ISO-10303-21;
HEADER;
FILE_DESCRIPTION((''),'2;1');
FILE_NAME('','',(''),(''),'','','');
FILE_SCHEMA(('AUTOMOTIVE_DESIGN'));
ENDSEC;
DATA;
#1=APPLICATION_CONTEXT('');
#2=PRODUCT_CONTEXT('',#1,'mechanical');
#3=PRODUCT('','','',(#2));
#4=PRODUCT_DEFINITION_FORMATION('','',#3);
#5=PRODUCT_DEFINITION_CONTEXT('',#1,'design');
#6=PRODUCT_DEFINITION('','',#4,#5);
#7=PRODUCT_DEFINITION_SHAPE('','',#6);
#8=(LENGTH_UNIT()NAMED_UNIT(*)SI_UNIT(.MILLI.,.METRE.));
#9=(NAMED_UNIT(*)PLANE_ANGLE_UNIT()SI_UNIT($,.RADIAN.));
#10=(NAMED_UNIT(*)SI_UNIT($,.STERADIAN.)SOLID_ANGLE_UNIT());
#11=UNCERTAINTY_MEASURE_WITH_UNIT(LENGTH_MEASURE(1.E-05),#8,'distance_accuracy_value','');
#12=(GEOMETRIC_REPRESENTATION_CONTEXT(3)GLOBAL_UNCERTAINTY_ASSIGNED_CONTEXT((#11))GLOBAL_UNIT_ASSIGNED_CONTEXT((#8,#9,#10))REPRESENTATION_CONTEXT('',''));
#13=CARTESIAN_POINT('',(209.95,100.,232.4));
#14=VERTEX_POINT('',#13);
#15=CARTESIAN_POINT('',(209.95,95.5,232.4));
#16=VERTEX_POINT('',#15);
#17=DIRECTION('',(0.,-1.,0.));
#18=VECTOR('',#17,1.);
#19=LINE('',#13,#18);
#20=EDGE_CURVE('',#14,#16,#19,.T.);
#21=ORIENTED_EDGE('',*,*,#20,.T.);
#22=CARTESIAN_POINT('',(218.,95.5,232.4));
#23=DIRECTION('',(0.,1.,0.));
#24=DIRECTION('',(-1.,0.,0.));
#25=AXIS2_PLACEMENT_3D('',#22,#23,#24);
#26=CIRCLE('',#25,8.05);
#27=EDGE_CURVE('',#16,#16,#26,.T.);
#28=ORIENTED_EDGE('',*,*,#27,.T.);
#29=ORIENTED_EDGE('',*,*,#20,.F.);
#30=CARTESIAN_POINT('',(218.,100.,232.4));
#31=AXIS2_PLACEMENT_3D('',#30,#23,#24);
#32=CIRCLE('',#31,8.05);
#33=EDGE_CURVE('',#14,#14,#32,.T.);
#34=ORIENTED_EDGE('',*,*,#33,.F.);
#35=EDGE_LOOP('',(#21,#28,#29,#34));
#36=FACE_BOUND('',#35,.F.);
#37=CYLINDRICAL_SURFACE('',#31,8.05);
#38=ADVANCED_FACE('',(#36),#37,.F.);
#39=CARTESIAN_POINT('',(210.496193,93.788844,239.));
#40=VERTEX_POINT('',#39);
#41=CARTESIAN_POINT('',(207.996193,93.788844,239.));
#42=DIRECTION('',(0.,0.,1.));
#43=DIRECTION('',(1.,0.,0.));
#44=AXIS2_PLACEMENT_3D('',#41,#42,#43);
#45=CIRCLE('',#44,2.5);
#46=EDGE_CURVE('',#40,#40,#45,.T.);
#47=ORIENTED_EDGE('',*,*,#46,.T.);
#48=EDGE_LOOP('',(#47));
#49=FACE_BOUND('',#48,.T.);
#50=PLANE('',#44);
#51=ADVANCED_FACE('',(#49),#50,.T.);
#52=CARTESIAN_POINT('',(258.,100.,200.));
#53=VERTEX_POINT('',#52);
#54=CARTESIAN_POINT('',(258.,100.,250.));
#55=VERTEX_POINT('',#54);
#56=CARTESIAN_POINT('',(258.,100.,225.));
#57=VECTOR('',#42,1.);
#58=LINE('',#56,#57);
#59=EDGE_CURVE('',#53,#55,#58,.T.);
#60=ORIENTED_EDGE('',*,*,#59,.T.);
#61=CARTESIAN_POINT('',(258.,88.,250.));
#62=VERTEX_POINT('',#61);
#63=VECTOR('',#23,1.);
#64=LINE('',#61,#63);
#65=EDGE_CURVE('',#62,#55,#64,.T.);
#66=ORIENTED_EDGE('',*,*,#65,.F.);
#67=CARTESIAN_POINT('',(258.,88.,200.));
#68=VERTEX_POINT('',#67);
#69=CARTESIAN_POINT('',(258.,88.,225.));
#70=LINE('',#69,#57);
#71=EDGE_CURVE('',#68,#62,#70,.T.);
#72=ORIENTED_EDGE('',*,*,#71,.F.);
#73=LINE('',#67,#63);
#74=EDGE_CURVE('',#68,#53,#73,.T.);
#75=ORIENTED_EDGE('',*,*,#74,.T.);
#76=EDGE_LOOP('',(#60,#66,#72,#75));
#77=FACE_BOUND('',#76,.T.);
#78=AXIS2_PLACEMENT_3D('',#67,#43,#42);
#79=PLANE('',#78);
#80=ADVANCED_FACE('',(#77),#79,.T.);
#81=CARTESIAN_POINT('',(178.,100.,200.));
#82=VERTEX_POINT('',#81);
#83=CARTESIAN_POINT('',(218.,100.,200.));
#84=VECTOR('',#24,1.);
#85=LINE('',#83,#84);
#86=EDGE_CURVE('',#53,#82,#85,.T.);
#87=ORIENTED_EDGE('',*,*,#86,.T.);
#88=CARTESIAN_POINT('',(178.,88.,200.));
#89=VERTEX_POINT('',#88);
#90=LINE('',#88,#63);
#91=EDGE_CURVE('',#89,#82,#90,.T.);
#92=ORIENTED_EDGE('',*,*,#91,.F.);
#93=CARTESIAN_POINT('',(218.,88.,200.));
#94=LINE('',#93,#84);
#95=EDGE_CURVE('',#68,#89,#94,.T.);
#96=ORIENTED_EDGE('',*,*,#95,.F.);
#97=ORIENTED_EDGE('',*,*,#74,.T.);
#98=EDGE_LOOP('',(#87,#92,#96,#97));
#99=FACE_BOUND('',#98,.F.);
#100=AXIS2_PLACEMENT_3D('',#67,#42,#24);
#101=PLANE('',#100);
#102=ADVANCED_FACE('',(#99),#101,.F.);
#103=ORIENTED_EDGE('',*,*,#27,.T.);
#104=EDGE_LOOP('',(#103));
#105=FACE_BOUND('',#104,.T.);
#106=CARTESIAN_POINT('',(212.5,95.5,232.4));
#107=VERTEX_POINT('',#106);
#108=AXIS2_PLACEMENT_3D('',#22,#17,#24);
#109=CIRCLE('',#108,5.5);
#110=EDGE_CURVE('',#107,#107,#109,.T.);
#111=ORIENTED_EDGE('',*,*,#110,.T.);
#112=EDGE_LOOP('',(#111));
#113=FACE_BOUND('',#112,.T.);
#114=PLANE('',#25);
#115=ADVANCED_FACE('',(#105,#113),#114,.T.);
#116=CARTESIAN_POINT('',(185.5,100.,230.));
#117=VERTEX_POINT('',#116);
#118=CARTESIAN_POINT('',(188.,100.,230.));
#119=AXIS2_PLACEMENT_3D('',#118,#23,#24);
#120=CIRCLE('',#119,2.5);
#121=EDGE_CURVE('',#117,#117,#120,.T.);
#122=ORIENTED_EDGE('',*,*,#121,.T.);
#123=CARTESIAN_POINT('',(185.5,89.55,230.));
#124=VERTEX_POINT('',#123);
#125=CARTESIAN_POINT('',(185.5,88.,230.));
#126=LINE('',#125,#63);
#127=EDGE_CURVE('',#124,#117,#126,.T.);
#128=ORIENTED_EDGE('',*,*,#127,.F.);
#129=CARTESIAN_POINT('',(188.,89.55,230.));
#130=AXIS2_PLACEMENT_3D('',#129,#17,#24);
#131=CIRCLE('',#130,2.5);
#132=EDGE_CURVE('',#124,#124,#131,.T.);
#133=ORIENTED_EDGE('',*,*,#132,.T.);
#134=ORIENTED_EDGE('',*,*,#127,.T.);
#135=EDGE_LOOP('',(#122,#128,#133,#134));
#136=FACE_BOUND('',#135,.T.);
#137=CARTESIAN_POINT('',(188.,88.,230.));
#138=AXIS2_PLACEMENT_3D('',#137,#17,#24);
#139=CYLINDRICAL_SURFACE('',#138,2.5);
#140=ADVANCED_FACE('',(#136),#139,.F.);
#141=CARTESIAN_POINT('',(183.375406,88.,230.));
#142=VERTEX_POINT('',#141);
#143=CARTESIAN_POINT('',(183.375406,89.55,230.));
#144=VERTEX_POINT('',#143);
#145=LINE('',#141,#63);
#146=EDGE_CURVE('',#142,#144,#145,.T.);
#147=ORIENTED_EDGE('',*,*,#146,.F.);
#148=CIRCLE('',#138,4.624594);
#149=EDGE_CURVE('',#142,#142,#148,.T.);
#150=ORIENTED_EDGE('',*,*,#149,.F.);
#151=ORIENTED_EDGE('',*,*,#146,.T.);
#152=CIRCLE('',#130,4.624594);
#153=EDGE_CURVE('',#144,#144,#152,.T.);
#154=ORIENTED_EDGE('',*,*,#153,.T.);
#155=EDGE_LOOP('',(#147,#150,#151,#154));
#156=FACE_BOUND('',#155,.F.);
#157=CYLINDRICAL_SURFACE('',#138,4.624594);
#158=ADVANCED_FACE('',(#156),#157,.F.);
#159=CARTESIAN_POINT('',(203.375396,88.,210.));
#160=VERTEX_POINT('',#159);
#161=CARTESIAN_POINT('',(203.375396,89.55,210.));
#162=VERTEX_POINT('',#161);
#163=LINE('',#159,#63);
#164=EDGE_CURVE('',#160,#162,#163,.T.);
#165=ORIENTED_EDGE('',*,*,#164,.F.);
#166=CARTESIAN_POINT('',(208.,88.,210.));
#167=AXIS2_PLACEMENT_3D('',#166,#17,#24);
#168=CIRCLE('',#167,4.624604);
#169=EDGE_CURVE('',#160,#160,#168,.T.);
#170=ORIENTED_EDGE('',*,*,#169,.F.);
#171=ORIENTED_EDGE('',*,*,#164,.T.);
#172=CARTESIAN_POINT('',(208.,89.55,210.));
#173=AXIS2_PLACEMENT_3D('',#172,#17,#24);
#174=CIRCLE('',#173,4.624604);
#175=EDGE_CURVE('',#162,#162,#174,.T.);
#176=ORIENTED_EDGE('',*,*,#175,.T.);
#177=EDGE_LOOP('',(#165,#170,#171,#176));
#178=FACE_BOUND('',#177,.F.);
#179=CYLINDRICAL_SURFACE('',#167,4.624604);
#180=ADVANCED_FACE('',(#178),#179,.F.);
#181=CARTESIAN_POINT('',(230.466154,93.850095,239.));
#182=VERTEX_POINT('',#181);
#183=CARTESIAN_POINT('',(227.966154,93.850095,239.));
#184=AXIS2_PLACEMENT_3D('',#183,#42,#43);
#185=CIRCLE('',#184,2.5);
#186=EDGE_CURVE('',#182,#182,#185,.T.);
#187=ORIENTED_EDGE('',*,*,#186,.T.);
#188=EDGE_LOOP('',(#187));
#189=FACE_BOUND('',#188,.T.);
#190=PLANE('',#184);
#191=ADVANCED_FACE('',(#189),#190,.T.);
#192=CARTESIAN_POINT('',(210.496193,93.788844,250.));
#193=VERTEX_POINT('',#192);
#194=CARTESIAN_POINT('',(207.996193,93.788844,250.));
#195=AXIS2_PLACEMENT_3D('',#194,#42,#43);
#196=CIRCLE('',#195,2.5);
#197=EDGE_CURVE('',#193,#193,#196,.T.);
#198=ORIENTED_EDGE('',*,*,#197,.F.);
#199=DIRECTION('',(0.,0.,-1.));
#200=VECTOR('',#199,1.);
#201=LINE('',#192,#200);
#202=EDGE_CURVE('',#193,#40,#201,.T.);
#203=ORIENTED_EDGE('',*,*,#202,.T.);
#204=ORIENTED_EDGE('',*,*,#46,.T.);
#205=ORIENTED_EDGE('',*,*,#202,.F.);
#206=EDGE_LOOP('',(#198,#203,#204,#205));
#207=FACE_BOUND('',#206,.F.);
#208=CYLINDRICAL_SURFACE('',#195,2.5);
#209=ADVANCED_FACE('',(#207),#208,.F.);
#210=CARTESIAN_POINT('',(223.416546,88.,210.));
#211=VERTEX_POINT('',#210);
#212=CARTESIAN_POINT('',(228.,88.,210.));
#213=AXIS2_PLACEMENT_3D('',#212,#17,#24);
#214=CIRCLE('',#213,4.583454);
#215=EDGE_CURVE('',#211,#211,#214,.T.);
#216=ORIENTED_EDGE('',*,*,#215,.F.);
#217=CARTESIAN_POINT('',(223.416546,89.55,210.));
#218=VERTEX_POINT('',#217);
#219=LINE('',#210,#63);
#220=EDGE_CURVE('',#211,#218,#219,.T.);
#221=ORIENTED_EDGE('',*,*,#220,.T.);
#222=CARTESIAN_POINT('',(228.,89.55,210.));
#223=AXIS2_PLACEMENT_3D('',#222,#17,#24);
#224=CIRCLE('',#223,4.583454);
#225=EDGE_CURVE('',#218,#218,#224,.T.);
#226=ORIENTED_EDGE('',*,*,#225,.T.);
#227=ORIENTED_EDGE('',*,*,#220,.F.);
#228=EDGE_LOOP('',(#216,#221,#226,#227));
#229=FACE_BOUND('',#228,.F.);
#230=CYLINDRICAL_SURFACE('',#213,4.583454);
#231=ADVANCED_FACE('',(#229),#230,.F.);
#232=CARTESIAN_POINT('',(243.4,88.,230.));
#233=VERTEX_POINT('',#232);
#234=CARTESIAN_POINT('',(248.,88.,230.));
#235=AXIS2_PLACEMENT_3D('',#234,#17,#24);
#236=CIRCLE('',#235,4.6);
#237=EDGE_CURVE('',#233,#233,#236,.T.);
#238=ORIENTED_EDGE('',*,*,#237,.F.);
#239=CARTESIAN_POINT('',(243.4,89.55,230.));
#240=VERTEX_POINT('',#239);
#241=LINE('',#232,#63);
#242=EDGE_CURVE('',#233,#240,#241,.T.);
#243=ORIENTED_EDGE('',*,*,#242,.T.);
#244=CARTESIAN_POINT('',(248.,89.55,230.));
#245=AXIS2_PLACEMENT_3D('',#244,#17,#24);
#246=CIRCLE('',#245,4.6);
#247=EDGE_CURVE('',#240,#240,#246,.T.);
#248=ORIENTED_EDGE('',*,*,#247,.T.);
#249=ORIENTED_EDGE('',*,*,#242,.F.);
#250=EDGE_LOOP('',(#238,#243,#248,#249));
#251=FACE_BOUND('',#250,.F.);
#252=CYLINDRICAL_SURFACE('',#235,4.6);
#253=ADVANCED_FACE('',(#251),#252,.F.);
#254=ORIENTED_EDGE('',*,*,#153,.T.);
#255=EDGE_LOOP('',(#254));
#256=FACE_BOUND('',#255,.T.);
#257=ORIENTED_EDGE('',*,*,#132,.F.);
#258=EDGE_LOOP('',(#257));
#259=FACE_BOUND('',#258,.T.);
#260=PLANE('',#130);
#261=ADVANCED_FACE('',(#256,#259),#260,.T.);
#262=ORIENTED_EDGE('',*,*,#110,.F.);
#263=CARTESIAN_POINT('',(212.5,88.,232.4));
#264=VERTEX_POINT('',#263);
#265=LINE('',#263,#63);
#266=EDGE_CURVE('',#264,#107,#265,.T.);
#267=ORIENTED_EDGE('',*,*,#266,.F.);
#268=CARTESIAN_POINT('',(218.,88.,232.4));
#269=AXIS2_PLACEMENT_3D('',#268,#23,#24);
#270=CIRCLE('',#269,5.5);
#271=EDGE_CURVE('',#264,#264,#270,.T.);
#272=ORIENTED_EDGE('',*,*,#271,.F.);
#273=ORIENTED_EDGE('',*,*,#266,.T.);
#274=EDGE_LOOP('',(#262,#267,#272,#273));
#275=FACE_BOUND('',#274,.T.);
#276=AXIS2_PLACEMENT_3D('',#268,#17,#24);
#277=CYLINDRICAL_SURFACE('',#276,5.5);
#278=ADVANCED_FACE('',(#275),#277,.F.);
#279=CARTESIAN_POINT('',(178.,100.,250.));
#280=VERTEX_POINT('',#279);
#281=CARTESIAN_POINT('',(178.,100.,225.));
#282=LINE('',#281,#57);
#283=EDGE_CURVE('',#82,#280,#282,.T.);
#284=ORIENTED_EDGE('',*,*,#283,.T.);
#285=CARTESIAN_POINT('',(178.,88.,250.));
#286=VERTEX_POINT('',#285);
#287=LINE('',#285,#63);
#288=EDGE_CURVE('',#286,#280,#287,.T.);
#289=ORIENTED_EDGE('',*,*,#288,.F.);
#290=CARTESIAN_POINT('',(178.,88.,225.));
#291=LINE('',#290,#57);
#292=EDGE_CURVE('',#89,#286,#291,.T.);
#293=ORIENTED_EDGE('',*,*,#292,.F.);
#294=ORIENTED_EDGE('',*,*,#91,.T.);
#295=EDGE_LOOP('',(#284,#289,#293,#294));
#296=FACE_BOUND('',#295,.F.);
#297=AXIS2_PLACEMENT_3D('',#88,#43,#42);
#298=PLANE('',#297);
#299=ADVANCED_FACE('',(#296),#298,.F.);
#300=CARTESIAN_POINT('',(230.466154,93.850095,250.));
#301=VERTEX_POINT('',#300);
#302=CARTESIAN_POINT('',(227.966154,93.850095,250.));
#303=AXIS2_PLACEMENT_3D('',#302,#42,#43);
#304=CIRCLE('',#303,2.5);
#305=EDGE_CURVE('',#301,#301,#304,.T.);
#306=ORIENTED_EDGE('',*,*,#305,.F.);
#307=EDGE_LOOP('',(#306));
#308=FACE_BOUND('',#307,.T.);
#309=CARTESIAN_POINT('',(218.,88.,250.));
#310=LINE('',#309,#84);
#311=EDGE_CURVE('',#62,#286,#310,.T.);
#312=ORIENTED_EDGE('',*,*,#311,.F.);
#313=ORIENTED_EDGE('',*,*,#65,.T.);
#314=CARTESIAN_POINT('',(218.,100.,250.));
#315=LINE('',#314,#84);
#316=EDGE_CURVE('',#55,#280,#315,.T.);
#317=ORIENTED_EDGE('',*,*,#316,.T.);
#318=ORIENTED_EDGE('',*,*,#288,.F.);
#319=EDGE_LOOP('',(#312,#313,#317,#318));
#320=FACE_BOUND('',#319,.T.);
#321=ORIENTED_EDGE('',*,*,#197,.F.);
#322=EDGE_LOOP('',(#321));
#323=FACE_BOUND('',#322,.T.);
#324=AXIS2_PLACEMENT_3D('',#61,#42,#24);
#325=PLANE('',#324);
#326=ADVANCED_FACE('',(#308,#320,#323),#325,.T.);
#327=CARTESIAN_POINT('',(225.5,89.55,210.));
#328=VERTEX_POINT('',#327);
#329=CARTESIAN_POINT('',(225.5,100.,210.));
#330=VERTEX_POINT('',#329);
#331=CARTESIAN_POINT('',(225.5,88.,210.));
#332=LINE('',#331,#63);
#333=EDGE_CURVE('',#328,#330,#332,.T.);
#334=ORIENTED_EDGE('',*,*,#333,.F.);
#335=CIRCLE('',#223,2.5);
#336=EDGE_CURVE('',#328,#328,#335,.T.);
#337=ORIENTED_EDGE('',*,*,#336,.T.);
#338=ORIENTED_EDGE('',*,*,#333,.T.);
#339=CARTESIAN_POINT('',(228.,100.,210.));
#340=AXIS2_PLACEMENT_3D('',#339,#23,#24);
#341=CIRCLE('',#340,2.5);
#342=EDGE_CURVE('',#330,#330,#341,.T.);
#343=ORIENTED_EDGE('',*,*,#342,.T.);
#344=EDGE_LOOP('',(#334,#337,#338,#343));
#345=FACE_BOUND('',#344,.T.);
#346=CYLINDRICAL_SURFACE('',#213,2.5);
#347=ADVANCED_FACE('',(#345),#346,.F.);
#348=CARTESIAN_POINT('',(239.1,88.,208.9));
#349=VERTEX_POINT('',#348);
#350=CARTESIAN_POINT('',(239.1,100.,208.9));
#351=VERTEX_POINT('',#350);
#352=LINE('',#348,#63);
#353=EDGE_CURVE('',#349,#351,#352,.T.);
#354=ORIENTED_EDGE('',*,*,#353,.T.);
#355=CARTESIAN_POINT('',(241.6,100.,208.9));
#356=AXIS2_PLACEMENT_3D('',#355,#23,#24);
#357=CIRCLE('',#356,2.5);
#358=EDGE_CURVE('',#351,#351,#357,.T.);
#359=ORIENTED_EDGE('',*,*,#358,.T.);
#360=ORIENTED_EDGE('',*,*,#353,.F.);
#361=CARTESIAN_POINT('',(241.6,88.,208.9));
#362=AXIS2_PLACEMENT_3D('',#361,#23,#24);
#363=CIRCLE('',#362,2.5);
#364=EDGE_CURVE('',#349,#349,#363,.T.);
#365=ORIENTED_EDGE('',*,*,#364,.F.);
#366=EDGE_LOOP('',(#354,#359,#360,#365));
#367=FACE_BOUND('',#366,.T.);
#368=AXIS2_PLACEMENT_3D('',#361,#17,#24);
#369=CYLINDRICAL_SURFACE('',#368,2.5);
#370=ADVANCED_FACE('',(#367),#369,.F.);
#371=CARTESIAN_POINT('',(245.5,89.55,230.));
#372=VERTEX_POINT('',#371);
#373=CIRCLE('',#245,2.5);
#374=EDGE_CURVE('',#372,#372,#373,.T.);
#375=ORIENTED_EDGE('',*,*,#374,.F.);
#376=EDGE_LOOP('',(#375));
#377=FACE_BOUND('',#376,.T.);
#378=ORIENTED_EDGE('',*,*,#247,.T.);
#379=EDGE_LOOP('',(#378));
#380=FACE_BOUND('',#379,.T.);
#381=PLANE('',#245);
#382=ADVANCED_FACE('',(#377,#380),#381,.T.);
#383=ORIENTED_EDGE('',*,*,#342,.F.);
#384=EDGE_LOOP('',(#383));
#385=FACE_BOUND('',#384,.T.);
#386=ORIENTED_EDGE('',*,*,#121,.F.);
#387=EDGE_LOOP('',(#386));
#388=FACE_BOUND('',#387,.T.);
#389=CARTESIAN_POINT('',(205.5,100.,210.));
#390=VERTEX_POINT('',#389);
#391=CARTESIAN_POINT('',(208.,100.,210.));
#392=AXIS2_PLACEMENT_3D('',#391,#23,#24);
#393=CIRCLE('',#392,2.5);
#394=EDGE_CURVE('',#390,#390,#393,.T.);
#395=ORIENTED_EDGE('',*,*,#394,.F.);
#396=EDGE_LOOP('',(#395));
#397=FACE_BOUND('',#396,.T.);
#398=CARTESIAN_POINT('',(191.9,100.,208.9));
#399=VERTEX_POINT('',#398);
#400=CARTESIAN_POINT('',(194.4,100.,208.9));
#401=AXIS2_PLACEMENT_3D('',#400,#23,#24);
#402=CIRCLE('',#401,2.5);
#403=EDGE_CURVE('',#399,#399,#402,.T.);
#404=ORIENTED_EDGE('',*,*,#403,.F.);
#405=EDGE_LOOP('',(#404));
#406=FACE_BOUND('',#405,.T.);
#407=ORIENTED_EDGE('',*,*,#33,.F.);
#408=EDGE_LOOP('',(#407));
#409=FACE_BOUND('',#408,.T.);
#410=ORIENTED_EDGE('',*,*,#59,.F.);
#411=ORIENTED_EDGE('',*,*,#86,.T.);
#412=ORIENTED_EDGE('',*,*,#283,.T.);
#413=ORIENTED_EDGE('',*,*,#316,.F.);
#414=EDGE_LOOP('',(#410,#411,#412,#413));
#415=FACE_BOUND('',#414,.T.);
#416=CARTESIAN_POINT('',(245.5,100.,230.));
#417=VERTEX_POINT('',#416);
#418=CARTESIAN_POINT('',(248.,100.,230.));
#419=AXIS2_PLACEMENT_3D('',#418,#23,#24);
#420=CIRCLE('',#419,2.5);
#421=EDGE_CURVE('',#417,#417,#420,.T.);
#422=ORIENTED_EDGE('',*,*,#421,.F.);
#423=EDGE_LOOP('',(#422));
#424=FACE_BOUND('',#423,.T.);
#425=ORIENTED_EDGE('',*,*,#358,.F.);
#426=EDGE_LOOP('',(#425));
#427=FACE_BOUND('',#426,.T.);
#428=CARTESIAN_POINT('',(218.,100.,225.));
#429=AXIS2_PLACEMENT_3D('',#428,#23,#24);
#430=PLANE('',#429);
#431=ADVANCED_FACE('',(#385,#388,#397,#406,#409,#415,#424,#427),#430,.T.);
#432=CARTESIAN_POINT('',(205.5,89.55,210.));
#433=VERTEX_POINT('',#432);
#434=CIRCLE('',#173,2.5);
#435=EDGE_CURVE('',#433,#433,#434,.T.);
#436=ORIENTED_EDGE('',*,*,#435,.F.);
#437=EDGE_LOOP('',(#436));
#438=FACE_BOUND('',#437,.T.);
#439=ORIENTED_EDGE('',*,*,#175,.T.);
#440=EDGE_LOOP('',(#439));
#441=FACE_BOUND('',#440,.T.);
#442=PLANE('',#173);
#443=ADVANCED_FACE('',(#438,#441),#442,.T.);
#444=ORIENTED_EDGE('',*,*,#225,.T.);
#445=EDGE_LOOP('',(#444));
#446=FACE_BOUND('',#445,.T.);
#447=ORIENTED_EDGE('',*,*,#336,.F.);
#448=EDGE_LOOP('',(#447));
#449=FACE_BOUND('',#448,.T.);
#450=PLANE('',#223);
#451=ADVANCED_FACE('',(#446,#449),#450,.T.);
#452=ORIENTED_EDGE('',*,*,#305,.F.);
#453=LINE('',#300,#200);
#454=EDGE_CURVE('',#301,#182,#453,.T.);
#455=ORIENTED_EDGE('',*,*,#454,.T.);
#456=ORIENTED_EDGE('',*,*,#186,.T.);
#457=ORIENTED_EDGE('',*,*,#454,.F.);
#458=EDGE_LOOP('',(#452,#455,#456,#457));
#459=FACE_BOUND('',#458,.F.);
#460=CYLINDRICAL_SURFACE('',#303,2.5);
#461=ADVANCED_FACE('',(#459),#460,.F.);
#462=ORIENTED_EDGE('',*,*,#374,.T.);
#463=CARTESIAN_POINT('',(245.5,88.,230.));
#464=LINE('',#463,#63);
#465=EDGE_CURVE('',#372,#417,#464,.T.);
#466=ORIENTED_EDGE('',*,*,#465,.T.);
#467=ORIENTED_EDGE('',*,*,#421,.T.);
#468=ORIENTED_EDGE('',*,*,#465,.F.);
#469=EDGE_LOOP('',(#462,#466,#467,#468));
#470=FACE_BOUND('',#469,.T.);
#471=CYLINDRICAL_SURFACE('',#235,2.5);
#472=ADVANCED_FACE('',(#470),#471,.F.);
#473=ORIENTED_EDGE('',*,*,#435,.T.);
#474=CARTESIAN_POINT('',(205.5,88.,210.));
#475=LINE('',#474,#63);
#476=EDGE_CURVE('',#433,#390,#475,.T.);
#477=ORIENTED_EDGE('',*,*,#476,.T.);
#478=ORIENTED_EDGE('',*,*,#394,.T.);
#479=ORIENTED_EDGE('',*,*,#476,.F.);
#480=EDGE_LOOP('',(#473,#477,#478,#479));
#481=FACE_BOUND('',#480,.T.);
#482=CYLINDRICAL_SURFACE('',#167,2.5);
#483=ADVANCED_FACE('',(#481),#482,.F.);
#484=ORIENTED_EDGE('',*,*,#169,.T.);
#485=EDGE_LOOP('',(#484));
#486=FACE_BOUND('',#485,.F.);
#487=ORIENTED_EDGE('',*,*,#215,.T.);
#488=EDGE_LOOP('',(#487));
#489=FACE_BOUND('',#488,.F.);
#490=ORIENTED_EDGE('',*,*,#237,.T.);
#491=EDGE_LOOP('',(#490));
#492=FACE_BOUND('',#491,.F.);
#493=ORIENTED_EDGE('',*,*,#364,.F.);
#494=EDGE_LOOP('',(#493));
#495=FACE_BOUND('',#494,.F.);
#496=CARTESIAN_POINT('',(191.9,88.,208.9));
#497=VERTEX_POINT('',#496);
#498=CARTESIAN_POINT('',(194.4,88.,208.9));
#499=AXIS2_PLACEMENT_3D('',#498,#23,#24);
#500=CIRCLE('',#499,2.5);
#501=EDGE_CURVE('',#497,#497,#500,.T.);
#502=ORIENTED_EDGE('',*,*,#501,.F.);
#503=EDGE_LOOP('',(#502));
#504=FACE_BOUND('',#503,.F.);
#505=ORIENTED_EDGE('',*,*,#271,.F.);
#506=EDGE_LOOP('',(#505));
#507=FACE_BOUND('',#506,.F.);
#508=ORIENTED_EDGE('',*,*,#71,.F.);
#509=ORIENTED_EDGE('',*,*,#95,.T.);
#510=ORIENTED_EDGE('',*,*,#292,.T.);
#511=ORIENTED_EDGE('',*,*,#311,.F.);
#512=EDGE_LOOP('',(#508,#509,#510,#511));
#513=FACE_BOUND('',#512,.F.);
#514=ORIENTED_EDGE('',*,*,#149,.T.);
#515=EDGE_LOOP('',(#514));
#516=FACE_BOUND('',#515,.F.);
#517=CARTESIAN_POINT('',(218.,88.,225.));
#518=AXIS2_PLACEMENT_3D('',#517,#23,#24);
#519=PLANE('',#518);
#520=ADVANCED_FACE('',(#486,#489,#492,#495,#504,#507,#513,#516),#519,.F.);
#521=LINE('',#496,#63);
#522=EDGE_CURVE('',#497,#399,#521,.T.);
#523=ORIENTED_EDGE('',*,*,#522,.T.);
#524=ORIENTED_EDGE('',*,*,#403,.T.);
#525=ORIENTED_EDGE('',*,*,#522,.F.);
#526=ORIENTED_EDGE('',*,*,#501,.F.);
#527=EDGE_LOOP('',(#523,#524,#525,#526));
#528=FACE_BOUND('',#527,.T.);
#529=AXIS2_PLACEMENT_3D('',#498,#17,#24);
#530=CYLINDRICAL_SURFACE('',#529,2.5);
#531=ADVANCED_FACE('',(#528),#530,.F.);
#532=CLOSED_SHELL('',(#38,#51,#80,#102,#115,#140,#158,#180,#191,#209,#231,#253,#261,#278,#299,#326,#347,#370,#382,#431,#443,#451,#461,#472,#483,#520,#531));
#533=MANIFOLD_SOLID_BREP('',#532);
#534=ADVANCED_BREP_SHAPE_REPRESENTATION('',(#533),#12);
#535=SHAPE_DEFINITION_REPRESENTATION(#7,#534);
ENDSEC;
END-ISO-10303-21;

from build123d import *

# Parameters (mm, degrees)
SKETCH019_W     = 80
SKETCH019_H     = 50
SKETCH019_R     = 2.5
SKETCH019_R_2   = 5.5
PAD004_DEPTH    = 12
SKETCH020_R     = 2.5
POCKET012_DEPTH = 11
SKETCH021_R     = 8.05
POCKET013_DEPTH = 4.5
SKETCH022_R     = 4.6
SKETCH022_R_2   = 4.624594
SKETCH022_R_3   = 4.583454
SKETCH022_R_4   = 4.624604
POCKET014_DEPTH = 1.55


with BuildPart() as part:
    # Sketch019 → Pad004 (new body)
    with BuildSketch(Plane(origin=(258, 88, 200), x_dir=(-1, 0, 0), z_dir=(0, 1, 0))):
        with Locations((40, 25)):
            Rectangle(SKETCH019_W, SKETCH019_H)
        with Locations((10, 30)):
            Circle(SKETCH019_R, mode=Mode.SUBTRACT)
        with Locations((30, 10)):
            Circle(SKETCH019_R, mode=Mode.SUBTRACT)
        with Locations((16.4, 8.9)):
            Circle(SKETCH019_R, mode=Mode.SUBTRACT)
        with Locations((50, 10)):
            Circle(SKETCH019_R, mode=Mode.SUBTRACT)
        with Locations((63.6, 8.9)):
            Circle(SKETCH019_R, mode=Mode.SUBTRACT)
        with Locations((70, 30)):
            Circle(SKETCH019_R, mode=Mode.SUBTRACT)
        with Locations((40, 32.4)):
            Circle(SKETCH019_R_2, mode=Mode.SUBTRACT)
    extrude(amount=PAD004_DEPTH)

    # Sketch020 → Pocket012 (cut)
    with BuildSketch(Plane(origin=(258, 88, 250), x_dir=(1, 0, 0), z_dir=(0, 0, 1))):
        with Locations((-30.033846, 5.850095)):
            Circle(SKETCH020_R)
        with Locations((-50.003807, 5.788844)):
            Circle(SKETCH020_R)
    extrude(amount=-POCKET012_DEPTH, mode=Mode.SUBTRACT)

    # Sketch021 → Pocket013 (cut)
    with BuildSketch(Plane(origin=(258, 100, 200), x_dir=(-1, 0, 0), z_dir=(0, 1, 0))):
        with Locations((40, 32.4)):
            Circle(SKETCH021_R)
    extrude(amount=-POCKET013_DEPTH, mode=Mode.SUBTRACT)

    # Sketch022 → Pocket014 (cut)
    with BuildSketch(Plane(origin=(258, 88, 200), x_dir=(-1, 0, 0), z_dir=(0, -1, 0))):
        with Locations((10, -30)):
            Circle(SKETCH022_R)
        with Locations((70, -30)):
            Circle(SKETCH022_R_2)
        with Locations((30, -10)):
            Circle(SKETCH022_R_3)
        with Locations((50, -10)):
            Circle(SKETCH022_R_4)
    extrude(amount=-POCKET014_DEPTH, mode=Mode.SUBTRACT)


solid = part.part
